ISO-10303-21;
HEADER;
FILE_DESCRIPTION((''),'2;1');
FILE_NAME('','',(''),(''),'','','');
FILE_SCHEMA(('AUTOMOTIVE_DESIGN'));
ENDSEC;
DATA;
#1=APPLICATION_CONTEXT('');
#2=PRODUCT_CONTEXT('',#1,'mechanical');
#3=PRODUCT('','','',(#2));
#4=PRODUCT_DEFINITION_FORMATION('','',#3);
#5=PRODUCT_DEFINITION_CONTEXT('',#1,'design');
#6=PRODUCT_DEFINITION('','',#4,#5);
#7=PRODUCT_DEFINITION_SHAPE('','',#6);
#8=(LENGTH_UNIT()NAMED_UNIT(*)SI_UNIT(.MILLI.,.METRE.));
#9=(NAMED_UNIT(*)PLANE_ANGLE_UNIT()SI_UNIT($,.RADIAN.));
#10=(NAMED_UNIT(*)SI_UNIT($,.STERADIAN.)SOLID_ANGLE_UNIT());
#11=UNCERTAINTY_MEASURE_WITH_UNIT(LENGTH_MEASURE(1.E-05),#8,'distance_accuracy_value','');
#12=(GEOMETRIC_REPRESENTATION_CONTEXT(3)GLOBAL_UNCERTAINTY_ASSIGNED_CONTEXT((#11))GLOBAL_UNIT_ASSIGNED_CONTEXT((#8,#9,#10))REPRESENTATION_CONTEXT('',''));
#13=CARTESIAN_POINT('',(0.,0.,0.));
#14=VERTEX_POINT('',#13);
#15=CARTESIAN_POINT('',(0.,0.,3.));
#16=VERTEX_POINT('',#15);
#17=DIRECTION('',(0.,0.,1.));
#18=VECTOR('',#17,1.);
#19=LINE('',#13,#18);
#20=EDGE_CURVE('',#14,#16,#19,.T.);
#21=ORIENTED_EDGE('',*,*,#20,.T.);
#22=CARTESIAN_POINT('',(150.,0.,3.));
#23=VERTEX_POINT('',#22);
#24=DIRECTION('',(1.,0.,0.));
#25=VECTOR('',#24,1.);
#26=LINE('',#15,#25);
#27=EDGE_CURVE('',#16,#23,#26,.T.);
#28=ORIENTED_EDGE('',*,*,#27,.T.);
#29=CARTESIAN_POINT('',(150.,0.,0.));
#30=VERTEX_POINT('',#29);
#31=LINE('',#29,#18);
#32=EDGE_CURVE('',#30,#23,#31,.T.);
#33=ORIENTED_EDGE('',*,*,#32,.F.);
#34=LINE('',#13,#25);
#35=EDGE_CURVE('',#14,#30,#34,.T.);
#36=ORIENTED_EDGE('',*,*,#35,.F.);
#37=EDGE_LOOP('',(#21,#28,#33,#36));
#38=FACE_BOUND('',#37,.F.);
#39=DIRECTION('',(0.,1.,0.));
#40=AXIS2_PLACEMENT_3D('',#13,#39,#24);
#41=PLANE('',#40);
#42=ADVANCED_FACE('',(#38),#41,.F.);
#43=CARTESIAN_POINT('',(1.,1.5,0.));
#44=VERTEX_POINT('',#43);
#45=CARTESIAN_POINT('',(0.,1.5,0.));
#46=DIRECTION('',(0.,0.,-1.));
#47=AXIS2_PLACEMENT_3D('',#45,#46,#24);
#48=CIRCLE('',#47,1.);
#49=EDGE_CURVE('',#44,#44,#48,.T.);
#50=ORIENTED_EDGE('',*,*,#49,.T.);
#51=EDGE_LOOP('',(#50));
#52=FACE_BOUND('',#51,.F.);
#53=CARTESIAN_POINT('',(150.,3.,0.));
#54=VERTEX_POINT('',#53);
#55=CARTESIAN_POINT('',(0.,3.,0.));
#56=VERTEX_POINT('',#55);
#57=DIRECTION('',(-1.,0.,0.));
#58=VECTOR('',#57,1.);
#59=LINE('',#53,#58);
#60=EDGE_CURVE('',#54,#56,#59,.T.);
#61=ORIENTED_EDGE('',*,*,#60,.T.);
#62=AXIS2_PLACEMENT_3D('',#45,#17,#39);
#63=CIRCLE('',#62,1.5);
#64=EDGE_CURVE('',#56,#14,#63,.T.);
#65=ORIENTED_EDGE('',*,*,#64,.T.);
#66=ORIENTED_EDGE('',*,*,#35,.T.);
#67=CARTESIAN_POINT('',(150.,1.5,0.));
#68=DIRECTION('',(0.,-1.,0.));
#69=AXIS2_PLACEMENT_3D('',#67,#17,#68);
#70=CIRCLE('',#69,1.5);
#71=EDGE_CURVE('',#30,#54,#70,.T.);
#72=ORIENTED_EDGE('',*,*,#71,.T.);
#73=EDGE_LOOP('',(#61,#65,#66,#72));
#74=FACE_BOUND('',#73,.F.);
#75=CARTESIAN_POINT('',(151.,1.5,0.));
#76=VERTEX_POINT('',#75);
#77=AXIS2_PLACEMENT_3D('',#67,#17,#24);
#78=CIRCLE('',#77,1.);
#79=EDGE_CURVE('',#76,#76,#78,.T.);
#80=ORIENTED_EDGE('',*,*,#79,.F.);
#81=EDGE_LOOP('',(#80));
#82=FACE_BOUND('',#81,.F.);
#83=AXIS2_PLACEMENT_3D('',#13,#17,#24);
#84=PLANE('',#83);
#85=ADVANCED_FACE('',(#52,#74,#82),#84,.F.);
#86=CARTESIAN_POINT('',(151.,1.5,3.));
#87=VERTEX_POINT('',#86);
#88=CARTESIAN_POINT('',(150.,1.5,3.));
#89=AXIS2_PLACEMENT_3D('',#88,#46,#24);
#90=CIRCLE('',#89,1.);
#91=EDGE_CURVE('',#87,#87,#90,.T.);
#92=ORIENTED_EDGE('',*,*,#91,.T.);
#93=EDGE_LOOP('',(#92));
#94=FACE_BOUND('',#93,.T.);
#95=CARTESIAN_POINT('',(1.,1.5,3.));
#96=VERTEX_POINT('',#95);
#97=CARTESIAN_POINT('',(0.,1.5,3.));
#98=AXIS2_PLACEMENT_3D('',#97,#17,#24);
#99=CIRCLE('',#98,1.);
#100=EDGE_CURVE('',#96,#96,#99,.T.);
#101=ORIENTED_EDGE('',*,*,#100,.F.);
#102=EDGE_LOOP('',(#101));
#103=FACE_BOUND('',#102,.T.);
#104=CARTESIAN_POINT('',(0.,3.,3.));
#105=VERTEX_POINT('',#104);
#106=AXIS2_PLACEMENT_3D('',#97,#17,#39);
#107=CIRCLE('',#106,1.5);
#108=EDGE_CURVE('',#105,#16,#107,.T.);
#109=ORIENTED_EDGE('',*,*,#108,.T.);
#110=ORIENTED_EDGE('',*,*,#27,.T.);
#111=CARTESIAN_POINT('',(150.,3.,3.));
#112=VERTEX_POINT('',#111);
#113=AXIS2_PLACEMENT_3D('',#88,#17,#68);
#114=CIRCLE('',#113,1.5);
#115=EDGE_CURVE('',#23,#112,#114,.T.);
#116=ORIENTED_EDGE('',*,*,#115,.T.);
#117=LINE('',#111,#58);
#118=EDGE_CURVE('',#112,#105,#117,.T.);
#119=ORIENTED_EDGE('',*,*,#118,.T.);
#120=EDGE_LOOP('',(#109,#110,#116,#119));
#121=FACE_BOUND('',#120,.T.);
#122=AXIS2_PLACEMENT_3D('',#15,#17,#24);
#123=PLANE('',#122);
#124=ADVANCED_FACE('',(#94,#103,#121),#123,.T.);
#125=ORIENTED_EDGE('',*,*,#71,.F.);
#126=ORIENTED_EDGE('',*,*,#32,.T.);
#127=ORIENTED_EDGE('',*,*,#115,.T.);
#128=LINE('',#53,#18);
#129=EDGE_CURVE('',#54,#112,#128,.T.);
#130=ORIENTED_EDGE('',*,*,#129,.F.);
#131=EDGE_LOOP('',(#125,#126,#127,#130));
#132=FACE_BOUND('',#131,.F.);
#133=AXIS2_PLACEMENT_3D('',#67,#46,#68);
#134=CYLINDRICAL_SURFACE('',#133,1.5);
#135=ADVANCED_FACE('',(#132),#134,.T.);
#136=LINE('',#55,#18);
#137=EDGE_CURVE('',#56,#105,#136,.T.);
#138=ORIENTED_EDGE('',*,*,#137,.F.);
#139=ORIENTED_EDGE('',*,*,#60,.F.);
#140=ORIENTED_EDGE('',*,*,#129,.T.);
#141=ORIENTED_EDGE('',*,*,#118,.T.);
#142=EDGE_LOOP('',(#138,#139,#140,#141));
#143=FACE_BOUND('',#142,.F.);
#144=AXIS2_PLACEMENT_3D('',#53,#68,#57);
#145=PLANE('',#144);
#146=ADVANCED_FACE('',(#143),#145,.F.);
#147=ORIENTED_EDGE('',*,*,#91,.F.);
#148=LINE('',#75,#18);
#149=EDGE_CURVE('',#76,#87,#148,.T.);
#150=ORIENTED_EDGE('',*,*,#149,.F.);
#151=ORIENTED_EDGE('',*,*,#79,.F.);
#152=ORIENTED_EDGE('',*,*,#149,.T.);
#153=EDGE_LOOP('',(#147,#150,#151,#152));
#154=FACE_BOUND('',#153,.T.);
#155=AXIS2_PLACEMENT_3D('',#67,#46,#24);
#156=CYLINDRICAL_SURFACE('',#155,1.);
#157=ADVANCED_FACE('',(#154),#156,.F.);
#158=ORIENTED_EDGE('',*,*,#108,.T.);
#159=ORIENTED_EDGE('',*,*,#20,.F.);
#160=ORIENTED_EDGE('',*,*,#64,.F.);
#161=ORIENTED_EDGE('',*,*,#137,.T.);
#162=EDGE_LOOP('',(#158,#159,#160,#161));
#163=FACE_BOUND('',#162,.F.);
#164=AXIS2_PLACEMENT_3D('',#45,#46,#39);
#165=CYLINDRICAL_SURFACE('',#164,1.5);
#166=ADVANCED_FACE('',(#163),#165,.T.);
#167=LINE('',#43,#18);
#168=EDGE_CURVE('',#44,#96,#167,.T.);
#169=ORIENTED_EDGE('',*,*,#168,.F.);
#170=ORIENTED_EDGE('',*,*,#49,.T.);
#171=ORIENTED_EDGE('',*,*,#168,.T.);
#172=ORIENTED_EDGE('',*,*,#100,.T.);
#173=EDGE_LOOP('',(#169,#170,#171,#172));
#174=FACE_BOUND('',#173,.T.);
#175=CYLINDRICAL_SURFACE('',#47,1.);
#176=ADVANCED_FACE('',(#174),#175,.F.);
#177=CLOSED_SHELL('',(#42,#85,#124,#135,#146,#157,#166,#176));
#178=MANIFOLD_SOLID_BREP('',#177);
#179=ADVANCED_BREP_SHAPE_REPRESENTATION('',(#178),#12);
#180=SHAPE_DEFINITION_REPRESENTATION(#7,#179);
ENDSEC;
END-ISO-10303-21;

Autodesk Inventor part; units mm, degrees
ref_plane "YZ Plane" through (0, 0, 0) normal (1, 0, 0) x (0, 1, 0)
ref_plane "XZ Plane" through (0, 0, 0) normal (0, 1, 0) x (-1, 0, 0)
ref_plane "XY Plane" through (0, 0, 0) normal (0, 0, 1) x (1, 0, 0)
sketch "Sketch1" plane through (0, 0, 0) normal (0, 0, 1) x (1, 0, 0)
  line L0 (0, 0) -> (150, 0)
  line L1 (150, 3) -> (0, 3)
  arc A0 (0, 3) -> (0, 0) centre (0, 1.5) ccw
  arc A1 (150, 0) -> (150, 3) centre (150, 1.5) ccw
  circle A2 centre (0, 1.5) radius 1
  circle A3 centre (150, 1.5) radius 1
  line L2 (0, 3) -> (0, 0)
  line L3 (150, 3) -> (150, 0)
  dimension "d2" = 2
  dimension "d3" = 2
  dimension "d9" = 150
extrude "Extrusion1" add sketch "Sketch1" along normal blind 3 contours L2 A2 L1 L3 A3 L0 | A0 L2 A2 | L3 A3 A1
properties part number "L1"
